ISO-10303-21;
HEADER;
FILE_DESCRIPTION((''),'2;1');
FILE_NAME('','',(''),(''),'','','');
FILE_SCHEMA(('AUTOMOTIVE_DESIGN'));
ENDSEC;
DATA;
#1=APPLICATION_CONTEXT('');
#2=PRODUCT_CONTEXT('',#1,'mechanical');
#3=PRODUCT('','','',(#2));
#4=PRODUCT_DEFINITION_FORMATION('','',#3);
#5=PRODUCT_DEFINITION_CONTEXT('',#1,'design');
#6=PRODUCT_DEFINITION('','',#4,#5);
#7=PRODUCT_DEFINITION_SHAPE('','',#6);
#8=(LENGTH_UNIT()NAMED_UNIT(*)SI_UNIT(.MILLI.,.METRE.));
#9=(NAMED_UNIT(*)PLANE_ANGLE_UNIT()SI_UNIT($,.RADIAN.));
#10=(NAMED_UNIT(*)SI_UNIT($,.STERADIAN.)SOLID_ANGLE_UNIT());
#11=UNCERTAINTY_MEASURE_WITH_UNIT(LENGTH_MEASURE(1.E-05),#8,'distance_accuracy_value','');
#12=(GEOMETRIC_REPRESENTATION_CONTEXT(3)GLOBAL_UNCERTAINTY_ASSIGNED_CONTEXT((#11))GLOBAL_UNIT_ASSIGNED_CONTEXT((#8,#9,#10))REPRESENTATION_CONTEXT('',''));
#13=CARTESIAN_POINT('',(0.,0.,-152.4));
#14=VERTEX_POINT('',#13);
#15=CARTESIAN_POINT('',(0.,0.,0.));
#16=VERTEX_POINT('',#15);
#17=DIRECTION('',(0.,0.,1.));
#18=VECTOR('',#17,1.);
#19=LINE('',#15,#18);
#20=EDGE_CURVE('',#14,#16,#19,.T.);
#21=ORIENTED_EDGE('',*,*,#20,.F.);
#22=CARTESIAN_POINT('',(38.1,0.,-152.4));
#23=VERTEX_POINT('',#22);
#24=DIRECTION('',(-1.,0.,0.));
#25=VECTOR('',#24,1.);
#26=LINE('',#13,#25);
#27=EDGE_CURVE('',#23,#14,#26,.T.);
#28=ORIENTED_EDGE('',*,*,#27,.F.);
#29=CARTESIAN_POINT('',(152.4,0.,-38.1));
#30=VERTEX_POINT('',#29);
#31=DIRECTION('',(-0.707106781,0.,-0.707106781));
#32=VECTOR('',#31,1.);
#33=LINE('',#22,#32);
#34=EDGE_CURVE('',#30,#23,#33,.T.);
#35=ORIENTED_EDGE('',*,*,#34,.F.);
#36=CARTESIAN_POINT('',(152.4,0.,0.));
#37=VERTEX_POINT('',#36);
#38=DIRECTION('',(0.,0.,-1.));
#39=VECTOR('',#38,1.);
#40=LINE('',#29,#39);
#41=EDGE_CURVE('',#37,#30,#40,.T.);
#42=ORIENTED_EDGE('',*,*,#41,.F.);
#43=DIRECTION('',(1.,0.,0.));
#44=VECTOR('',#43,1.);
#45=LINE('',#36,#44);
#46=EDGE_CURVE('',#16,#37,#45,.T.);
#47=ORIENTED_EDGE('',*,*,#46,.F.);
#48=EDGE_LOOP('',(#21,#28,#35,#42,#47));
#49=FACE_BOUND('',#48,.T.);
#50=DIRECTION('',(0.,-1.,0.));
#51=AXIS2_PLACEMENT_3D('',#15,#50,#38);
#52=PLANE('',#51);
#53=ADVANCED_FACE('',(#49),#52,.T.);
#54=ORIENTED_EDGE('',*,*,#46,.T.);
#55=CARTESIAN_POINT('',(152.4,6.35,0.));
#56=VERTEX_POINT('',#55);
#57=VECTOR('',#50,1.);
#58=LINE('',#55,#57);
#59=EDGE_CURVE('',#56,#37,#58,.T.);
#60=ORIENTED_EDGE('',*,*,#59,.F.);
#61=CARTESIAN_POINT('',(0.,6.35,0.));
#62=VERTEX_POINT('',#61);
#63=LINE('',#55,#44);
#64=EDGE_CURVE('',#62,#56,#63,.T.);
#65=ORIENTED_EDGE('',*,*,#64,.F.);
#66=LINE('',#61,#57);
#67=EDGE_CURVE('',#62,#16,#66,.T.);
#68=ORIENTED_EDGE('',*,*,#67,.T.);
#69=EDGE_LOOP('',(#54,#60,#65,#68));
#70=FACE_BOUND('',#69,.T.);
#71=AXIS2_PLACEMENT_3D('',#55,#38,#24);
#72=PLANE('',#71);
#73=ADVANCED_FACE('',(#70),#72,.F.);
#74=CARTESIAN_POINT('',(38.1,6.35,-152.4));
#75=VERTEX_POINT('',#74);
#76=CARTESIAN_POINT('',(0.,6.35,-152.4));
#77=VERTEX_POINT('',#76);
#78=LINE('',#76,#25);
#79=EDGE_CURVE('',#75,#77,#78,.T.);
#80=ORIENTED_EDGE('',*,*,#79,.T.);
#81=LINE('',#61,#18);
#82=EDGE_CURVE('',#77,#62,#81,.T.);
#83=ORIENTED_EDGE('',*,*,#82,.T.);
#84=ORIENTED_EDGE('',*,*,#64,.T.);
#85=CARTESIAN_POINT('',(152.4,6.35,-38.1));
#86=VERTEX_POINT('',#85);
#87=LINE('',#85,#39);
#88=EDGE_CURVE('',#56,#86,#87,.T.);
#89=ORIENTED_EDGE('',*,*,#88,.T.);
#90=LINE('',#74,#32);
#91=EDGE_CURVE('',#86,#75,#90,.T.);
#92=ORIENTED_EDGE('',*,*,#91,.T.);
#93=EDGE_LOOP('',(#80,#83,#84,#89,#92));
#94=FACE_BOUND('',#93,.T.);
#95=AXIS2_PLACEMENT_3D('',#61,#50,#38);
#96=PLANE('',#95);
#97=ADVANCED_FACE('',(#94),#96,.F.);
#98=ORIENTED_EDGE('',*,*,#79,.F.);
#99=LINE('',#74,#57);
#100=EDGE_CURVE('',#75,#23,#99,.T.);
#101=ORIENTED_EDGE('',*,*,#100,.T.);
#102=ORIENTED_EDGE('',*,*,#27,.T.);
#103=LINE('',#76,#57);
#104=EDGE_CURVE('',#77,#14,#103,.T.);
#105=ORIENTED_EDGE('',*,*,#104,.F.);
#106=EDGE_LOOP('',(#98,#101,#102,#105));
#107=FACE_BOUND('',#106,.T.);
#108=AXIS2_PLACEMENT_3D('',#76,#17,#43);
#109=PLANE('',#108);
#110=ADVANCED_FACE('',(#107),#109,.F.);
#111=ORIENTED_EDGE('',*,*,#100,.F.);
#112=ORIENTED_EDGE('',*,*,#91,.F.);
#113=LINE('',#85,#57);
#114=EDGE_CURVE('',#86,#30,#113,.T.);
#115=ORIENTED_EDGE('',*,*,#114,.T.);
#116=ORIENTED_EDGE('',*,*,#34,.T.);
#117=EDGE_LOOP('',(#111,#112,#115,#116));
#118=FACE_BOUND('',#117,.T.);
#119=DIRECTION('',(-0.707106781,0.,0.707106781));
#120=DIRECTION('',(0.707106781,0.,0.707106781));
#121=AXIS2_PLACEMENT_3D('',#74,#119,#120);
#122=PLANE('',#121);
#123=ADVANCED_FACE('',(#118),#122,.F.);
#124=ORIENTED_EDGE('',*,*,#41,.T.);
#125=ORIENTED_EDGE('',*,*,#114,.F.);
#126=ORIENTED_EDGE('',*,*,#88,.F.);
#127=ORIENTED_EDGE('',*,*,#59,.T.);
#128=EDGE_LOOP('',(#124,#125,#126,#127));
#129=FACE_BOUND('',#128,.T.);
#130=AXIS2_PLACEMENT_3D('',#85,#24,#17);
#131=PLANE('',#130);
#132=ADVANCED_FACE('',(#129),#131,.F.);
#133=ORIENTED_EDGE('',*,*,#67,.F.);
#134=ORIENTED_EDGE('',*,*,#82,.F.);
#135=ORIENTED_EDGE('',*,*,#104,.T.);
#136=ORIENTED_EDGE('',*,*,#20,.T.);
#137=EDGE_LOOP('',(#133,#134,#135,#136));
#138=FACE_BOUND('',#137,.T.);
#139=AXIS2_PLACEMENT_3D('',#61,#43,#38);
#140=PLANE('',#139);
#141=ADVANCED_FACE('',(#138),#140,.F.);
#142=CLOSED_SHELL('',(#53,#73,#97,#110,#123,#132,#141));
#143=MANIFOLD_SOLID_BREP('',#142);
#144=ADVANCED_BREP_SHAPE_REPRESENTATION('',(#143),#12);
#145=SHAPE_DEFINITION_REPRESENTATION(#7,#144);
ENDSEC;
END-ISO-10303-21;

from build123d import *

# Parameters (mm, degrees)
EXTRUDE1_DEPTH = 6.35


with BuildPart() as part:
    # Sketch1 → Extrude1 (new body)
    with BuildSketch(Plane(origin=(0, 0, 0), x_dir=(1, 0, 0), z_dir=(0, 1, 0))):
        Polygon((0, 0), (0, 152.4), (38.1, 152.4), (152.4, 38.1), (152.4, 0), align=None)
    extrude(amount=EXTRUDE1_DEPTH)


solid = part.part
